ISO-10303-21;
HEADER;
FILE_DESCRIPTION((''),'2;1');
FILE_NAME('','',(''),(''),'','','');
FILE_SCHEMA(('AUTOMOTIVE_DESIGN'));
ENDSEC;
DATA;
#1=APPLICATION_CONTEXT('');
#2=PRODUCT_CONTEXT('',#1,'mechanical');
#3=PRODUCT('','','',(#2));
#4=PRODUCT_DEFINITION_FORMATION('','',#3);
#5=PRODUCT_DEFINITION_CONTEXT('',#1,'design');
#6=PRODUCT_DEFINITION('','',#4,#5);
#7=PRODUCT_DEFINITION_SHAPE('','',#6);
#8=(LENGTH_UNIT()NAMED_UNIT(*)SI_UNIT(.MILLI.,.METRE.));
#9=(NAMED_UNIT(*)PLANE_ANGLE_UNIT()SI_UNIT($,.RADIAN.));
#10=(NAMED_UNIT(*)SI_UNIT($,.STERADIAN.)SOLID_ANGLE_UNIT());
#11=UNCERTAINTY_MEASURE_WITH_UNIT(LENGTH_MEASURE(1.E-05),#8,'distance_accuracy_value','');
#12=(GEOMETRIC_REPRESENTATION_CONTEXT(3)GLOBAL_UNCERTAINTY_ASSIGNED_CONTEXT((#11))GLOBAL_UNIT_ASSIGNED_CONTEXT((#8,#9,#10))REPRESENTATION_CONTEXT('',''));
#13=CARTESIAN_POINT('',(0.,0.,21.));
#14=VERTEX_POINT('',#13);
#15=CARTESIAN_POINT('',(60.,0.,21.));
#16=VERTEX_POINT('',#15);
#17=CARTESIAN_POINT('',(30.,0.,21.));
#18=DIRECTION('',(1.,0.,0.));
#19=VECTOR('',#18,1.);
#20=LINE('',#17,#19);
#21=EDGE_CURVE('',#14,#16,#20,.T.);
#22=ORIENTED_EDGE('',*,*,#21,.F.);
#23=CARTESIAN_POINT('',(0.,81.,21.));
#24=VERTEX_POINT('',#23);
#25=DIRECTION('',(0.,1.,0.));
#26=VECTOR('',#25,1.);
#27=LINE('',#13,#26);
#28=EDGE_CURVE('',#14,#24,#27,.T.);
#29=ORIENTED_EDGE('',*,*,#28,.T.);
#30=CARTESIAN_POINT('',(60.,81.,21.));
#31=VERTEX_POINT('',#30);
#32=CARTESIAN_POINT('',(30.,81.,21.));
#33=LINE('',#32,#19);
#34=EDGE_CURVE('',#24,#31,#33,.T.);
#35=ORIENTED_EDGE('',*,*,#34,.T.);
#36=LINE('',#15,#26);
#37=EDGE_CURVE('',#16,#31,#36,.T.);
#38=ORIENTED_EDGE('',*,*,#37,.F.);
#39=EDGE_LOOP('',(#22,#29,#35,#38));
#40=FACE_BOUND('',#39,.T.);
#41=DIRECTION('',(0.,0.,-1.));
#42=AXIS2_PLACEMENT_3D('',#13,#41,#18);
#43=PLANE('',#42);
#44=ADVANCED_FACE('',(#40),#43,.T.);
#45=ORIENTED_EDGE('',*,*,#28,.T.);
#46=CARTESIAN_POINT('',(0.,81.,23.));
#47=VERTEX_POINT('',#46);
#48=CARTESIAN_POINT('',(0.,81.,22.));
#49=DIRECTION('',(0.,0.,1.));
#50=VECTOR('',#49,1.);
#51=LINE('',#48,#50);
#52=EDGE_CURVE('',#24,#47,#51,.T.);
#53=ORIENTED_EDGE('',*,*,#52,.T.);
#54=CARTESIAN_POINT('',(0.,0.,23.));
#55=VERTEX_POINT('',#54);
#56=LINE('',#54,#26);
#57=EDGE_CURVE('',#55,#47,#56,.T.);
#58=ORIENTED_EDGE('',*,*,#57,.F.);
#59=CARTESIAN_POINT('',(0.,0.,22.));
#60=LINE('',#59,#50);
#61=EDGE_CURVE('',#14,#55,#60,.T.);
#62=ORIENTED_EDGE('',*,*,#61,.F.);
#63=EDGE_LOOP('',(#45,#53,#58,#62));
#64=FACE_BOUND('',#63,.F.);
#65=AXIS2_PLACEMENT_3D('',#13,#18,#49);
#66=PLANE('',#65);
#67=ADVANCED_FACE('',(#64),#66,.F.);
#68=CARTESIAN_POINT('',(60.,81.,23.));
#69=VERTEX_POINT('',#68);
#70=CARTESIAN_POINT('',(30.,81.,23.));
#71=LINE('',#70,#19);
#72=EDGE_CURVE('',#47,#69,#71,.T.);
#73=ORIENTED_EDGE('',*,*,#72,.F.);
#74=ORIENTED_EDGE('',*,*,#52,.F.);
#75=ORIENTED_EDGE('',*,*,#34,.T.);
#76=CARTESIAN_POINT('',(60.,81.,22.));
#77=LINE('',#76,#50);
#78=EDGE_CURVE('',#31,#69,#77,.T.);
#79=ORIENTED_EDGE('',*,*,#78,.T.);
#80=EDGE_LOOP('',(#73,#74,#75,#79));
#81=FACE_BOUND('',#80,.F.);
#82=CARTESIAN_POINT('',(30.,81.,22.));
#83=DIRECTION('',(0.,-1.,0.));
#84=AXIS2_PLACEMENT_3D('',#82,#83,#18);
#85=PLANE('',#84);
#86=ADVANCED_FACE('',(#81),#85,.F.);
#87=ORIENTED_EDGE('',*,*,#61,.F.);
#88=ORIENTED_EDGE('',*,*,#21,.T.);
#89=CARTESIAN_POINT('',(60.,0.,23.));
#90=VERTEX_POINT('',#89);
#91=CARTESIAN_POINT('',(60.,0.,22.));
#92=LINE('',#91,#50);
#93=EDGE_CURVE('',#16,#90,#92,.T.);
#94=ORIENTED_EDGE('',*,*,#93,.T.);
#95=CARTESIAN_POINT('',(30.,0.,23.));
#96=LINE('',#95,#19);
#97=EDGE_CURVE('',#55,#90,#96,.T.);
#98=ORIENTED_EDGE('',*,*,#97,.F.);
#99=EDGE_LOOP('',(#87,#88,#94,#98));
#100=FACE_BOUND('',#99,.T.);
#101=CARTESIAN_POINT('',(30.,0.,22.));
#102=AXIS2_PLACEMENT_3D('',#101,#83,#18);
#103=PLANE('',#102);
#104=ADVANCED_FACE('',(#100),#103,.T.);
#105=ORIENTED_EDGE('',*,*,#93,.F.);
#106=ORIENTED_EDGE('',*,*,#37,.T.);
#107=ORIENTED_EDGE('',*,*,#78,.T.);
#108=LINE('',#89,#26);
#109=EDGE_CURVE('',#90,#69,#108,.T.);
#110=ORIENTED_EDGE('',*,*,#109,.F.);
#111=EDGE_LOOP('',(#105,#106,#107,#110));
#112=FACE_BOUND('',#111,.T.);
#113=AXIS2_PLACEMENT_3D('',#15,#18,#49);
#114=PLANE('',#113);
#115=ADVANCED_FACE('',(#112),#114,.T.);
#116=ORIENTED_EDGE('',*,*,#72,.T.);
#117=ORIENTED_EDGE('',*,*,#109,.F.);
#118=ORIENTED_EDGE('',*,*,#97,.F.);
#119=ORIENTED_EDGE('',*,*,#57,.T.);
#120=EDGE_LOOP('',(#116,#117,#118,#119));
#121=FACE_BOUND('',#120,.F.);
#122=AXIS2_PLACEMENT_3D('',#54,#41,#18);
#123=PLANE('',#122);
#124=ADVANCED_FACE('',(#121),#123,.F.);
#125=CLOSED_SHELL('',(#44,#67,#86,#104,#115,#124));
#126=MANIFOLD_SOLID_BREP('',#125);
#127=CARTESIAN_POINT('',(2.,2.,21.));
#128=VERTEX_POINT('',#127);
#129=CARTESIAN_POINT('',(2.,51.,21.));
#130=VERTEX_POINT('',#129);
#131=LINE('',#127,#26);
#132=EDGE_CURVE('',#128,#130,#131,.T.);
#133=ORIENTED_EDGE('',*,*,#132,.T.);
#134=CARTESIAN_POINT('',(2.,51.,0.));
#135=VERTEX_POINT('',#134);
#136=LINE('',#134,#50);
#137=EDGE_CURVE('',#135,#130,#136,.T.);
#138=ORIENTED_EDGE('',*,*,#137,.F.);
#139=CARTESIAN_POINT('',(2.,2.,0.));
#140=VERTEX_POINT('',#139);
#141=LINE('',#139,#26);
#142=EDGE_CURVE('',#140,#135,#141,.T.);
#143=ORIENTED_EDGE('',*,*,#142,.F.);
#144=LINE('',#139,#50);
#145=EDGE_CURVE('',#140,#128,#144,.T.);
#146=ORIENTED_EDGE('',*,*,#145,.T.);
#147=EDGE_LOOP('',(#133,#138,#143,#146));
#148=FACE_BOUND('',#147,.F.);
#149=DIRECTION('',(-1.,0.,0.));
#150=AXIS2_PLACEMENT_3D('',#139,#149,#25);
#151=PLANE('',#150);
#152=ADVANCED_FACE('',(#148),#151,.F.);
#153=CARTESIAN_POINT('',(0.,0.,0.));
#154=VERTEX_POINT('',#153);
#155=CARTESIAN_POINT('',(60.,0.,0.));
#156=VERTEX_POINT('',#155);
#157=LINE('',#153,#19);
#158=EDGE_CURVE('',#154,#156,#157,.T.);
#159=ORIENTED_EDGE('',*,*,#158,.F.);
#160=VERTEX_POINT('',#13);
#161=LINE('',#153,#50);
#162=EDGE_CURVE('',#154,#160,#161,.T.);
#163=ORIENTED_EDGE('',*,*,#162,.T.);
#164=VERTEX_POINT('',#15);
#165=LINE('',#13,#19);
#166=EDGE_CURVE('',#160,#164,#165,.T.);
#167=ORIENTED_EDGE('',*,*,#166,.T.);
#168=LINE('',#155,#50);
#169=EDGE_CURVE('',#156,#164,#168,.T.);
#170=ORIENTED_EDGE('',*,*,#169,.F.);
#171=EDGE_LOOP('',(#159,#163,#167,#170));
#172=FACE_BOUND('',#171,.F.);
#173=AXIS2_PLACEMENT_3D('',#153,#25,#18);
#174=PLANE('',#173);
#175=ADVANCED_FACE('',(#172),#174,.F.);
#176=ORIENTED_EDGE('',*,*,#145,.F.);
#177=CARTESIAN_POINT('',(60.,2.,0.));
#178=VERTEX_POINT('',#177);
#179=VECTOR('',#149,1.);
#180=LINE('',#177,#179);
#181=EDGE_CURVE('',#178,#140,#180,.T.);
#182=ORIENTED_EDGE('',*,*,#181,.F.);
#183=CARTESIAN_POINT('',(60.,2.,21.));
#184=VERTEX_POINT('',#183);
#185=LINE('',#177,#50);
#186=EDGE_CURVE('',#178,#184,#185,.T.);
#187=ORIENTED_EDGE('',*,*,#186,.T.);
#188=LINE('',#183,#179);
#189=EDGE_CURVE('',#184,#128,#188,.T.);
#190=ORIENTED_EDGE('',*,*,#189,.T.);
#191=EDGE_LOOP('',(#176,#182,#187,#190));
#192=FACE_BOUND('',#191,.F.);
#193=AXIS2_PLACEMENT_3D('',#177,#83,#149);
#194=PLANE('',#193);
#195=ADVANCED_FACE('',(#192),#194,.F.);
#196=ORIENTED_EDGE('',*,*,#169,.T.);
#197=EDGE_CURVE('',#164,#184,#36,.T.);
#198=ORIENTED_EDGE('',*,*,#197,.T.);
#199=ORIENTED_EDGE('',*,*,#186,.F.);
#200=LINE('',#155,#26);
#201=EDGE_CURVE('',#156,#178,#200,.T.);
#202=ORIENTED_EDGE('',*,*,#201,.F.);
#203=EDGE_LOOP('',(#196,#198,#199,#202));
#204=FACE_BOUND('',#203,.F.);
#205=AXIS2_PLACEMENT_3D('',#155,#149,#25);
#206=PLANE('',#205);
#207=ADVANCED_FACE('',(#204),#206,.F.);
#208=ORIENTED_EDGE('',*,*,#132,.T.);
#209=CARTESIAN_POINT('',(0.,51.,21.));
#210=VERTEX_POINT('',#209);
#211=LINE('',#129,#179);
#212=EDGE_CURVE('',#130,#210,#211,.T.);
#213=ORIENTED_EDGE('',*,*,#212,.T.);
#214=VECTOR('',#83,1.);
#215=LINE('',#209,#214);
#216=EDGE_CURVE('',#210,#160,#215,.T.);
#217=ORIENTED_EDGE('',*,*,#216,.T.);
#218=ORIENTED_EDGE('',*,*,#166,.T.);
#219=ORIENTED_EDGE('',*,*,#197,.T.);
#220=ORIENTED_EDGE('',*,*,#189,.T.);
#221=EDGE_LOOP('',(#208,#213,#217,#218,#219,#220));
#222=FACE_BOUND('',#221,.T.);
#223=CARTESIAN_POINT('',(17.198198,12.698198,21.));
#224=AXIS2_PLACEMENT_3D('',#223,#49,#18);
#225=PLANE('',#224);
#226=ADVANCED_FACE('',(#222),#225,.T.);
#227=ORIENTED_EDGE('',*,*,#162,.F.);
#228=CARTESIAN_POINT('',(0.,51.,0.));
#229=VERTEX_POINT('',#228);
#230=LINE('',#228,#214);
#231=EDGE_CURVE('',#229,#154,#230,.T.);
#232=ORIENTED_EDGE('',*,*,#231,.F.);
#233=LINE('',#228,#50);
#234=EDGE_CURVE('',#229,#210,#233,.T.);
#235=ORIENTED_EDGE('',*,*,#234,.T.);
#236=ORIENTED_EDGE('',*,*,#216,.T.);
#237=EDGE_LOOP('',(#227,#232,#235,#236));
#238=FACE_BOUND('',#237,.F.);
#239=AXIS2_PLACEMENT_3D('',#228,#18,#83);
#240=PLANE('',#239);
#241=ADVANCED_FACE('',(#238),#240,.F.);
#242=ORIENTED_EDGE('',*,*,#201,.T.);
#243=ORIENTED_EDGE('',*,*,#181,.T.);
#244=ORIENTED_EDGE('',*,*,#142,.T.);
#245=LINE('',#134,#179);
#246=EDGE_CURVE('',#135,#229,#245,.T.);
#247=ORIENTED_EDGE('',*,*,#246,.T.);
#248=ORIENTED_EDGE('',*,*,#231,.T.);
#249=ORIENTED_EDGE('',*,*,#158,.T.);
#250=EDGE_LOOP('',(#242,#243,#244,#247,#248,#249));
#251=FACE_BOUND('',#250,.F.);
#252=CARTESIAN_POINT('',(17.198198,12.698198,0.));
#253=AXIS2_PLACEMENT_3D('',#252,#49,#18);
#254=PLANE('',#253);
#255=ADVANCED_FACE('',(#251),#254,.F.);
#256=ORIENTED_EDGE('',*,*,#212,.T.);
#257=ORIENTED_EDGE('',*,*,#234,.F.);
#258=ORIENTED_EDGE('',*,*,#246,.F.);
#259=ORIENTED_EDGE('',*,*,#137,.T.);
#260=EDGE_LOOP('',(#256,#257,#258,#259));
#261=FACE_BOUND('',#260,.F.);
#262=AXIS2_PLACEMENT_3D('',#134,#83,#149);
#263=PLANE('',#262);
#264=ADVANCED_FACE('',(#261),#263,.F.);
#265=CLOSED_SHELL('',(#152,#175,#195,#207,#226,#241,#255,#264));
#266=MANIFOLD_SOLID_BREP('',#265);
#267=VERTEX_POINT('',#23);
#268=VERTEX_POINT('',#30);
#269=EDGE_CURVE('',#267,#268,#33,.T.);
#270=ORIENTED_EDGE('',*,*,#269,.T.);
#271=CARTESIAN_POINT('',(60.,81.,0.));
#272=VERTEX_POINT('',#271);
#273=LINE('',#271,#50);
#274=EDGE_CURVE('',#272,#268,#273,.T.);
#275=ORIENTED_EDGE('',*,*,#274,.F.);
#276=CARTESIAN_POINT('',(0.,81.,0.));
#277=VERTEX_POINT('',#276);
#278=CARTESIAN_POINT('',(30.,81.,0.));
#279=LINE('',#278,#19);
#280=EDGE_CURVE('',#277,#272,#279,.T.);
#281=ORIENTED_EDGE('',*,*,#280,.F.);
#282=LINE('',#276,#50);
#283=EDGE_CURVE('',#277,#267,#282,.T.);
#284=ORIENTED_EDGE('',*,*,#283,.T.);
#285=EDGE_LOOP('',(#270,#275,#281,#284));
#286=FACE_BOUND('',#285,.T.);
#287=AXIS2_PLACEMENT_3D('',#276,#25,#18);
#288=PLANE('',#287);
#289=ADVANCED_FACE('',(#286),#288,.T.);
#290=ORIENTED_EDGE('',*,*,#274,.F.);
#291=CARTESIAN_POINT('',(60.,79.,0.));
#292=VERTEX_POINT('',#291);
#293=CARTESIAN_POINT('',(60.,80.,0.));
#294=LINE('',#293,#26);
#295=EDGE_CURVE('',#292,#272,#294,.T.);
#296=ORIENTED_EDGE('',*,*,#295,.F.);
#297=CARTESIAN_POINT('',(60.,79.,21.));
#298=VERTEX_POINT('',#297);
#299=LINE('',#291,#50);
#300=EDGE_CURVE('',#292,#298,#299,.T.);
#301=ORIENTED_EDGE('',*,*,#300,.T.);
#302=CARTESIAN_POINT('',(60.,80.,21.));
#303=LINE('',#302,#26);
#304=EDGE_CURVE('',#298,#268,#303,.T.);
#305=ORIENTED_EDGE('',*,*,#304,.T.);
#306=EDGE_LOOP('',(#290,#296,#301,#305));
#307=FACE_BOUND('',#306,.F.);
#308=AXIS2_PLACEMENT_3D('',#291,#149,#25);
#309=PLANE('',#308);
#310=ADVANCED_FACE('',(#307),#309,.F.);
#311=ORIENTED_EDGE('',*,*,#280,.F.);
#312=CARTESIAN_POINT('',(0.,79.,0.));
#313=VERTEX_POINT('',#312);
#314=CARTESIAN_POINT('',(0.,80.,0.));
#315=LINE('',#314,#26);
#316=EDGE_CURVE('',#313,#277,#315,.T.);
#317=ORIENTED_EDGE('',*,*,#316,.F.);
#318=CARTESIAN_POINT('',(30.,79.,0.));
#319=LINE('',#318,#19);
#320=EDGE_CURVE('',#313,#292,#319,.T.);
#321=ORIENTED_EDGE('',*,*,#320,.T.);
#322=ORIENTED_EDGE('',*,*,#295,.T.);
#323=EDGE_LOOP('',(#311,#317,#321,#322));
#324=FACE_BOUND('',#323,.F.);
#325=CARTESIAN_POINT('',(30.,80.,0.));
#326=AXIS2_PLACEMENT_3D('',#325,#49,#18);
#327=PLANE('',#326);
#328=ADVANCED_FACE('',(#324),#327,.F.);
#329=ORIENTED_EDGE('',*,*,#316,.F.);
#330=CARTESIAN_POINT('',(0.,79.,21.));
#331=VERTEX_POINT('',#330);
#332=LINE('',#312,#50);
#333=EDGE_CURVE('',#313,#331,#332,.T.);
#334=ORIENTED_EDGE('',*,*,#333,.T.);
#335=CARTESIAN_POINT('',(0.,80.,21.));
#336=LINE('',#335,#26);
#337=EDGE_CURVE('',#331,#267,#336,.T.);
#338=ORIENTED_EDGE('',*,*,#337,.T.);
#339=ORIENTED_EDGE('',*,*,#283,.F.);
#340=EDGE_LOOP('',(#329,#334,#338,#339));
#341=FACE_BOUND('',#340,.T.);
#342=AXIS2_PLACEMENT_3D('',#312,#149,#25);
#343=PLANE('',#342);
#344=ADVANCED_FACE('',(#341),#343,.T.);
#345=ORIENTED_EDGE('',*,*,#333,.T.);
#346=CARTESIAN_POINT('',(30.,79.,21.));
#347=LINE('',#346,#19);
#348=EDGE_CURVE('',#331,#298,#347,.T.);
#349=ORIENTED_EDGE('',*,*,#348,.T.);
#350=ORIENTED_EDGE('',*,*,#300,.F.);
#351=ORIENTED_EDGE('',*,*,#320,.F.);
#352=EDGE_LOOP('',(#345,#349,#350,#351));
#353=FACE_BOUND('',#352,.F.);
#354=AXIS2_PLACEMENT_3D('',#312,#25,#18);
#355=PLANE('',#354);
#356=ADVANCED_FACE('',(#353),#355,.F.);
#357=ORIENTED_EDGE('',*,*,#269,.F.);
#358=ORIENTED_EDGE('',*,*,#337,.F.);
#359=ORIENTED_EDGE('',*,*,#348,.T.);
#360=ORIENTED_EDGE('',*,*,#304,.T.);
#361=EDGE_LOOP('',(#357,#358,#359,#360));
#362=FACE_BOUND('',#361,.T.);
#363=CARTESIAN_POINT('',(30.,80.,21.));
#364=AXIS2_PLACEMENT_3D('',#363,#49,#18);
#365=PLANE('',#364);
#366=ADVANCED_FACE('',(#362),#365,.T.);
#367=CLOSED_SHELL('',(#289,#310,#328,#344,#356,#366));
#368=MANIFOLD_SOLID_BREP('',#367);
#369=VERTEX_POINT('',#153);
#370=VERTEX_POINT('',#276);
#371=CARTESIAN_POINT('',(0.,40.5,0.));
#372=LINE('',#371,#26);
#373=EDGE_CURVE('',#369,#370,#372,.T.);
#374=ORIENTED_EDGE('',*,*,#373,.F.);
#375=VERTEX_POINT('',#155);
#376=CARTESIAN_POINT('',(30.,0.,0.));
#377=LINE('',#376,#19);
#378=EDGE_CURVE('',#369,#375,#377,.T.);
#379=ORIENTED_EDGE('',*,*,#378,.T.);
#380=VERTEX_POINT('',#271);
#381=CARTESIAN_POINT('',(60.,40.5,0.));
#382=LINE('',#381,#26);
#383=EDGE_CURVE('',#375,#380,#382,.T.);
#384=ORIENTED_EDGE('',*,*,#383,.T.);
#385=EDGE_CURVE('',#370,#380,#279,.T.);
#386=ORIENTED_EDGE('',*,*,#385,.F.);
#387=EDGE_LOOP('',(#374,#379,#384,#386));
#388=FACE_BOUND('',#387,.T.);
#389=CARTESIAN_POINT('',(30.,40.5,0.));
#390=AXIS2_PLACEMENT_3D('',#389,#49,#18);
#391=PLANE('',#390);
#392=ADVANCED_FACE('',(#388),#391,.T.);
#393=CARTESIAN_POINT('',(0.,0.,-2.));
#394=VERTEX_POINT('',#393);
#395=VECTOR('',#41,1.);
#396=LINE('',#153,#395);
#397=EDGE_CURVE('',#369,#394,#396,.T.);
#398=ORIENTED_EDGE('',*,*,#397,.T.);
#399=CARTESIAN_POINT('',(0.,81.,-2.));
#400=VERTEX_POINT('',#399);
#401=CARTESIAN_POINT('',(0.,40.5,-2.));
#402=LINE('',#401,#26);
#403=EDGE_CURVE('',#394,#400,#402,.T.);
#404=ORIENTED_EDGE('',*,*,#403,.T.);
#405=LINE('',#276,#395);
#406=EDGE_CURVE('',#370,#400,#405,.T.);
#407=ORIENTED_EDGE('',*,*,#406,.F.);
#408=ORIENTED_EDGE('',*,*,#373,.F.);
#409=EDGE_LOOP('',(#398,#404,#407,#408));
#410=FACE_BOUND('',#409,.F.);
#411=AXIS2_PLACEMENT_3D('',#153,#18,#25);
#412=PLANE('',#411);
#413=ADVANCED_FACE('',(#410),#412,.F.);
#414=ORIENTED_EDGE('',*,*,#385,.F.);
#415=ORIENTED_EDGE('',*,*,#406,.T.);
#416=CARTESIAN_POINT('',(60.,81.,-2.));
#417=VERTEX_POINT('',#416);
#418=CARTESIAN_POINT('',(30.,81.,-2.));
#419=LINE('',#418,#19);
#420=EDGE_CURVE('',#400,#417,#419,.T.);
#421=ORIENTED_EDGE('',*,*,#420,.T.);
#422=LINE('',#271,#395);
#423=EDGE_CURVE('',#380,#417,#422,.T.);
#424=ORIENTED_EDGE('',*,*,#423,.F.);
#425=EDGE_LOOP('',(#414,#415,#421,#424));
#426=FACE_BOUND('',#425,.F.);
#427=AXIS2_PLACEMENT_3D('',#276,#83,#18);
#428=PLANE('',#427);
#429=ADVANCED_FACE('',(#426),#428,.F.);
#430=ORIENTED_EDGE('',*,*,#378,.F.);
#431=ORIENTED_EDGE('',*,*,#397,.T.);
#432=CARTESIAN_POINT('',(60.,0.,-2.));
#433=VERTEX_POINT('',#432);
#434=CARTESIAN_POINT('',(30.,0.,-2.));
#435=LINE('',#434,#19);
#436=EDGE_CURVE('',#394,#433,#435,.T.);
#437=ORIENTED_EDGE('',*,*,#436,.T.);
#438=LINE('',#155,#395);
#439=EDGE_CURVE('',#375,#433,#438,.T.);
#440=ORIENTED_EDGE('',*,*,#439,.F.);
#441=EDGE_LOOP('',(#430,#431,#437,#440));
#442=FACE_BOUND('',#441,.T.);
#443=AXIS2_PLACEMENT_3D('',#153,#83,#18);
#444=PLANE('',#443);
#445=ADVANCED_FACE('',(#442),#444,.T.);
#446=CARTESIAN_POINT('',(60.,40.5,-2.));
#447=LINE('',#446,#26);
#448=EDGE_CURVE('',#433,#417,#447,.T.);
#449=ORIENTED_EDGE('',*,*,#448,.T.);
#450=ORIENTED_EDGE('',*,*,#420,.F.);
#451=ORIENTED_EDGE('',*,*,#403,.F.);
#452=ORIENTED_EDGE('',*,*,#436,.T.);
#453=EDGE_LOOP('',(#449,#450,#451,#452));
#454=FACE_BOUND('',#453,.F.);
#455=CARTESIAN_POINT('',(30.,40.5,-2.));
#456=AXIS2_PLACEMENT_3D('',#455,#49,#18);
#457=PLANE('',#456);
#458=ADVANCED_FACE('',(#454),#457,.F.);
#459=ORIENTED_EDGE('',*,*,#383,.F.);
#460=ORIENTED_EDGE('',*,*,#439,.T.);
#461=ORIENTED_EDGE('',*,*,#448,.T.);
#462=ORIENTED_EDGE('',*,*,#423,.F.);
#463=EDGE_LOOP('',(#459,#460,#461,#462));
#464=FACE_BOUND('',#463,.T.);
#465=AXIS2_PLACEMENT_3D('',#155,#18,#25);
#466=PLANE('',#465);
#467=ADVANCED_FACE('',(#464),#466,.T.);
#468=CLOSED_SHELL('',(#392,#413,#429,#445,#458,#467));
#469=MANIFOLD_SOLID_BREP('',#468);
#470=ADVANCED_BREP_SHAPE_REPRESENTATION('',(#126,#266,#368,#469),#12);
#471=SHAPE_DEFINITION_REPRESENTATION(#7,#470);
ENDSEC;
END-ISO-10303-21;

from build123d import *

# Parameters (mm, degrees)
F0_W     = 60
F0_H     = 81
F1_DEPTH = 2
F2_W     = 60
F2_H     = 2
F5_DEPTH = 21
F4_W     = 60
F4_H     = 2
F6_DEPTH = 81


with BuildPart() as f1:
    # F0 (on Top) → F1 (new body)
    with BuildSketch(Plane.XY):
        with Locations((30, 40.5)):
            Rectangle(F0_W, F0_H)
    extrude(amount=-F1_DEPTH)


with BuildPart() as f5:
    # F2 (on Top) → F5 (new body)
    with BuildSketch(Plane.XY):
        Polygon((0, 51), (0, 0), (60, 0), (60, 2), (2, 2), (2, 51), align=None)
        with Locations((30, 80)):
            Rectangle(F2_W, F2_H)
    extrude(amount=F5_DEPTH)


with BuildPart() as f6:
    # F4 (on Front) → F6 (new body)
    with BuildSketch(Plane.XZ):
        with Locations((30, 22)):
            Rectangle(F4_W, F4_H)
    extrude(amount=-F6_DEPTH)


solid = Compound([f1.part, f5.part, f6.part])
